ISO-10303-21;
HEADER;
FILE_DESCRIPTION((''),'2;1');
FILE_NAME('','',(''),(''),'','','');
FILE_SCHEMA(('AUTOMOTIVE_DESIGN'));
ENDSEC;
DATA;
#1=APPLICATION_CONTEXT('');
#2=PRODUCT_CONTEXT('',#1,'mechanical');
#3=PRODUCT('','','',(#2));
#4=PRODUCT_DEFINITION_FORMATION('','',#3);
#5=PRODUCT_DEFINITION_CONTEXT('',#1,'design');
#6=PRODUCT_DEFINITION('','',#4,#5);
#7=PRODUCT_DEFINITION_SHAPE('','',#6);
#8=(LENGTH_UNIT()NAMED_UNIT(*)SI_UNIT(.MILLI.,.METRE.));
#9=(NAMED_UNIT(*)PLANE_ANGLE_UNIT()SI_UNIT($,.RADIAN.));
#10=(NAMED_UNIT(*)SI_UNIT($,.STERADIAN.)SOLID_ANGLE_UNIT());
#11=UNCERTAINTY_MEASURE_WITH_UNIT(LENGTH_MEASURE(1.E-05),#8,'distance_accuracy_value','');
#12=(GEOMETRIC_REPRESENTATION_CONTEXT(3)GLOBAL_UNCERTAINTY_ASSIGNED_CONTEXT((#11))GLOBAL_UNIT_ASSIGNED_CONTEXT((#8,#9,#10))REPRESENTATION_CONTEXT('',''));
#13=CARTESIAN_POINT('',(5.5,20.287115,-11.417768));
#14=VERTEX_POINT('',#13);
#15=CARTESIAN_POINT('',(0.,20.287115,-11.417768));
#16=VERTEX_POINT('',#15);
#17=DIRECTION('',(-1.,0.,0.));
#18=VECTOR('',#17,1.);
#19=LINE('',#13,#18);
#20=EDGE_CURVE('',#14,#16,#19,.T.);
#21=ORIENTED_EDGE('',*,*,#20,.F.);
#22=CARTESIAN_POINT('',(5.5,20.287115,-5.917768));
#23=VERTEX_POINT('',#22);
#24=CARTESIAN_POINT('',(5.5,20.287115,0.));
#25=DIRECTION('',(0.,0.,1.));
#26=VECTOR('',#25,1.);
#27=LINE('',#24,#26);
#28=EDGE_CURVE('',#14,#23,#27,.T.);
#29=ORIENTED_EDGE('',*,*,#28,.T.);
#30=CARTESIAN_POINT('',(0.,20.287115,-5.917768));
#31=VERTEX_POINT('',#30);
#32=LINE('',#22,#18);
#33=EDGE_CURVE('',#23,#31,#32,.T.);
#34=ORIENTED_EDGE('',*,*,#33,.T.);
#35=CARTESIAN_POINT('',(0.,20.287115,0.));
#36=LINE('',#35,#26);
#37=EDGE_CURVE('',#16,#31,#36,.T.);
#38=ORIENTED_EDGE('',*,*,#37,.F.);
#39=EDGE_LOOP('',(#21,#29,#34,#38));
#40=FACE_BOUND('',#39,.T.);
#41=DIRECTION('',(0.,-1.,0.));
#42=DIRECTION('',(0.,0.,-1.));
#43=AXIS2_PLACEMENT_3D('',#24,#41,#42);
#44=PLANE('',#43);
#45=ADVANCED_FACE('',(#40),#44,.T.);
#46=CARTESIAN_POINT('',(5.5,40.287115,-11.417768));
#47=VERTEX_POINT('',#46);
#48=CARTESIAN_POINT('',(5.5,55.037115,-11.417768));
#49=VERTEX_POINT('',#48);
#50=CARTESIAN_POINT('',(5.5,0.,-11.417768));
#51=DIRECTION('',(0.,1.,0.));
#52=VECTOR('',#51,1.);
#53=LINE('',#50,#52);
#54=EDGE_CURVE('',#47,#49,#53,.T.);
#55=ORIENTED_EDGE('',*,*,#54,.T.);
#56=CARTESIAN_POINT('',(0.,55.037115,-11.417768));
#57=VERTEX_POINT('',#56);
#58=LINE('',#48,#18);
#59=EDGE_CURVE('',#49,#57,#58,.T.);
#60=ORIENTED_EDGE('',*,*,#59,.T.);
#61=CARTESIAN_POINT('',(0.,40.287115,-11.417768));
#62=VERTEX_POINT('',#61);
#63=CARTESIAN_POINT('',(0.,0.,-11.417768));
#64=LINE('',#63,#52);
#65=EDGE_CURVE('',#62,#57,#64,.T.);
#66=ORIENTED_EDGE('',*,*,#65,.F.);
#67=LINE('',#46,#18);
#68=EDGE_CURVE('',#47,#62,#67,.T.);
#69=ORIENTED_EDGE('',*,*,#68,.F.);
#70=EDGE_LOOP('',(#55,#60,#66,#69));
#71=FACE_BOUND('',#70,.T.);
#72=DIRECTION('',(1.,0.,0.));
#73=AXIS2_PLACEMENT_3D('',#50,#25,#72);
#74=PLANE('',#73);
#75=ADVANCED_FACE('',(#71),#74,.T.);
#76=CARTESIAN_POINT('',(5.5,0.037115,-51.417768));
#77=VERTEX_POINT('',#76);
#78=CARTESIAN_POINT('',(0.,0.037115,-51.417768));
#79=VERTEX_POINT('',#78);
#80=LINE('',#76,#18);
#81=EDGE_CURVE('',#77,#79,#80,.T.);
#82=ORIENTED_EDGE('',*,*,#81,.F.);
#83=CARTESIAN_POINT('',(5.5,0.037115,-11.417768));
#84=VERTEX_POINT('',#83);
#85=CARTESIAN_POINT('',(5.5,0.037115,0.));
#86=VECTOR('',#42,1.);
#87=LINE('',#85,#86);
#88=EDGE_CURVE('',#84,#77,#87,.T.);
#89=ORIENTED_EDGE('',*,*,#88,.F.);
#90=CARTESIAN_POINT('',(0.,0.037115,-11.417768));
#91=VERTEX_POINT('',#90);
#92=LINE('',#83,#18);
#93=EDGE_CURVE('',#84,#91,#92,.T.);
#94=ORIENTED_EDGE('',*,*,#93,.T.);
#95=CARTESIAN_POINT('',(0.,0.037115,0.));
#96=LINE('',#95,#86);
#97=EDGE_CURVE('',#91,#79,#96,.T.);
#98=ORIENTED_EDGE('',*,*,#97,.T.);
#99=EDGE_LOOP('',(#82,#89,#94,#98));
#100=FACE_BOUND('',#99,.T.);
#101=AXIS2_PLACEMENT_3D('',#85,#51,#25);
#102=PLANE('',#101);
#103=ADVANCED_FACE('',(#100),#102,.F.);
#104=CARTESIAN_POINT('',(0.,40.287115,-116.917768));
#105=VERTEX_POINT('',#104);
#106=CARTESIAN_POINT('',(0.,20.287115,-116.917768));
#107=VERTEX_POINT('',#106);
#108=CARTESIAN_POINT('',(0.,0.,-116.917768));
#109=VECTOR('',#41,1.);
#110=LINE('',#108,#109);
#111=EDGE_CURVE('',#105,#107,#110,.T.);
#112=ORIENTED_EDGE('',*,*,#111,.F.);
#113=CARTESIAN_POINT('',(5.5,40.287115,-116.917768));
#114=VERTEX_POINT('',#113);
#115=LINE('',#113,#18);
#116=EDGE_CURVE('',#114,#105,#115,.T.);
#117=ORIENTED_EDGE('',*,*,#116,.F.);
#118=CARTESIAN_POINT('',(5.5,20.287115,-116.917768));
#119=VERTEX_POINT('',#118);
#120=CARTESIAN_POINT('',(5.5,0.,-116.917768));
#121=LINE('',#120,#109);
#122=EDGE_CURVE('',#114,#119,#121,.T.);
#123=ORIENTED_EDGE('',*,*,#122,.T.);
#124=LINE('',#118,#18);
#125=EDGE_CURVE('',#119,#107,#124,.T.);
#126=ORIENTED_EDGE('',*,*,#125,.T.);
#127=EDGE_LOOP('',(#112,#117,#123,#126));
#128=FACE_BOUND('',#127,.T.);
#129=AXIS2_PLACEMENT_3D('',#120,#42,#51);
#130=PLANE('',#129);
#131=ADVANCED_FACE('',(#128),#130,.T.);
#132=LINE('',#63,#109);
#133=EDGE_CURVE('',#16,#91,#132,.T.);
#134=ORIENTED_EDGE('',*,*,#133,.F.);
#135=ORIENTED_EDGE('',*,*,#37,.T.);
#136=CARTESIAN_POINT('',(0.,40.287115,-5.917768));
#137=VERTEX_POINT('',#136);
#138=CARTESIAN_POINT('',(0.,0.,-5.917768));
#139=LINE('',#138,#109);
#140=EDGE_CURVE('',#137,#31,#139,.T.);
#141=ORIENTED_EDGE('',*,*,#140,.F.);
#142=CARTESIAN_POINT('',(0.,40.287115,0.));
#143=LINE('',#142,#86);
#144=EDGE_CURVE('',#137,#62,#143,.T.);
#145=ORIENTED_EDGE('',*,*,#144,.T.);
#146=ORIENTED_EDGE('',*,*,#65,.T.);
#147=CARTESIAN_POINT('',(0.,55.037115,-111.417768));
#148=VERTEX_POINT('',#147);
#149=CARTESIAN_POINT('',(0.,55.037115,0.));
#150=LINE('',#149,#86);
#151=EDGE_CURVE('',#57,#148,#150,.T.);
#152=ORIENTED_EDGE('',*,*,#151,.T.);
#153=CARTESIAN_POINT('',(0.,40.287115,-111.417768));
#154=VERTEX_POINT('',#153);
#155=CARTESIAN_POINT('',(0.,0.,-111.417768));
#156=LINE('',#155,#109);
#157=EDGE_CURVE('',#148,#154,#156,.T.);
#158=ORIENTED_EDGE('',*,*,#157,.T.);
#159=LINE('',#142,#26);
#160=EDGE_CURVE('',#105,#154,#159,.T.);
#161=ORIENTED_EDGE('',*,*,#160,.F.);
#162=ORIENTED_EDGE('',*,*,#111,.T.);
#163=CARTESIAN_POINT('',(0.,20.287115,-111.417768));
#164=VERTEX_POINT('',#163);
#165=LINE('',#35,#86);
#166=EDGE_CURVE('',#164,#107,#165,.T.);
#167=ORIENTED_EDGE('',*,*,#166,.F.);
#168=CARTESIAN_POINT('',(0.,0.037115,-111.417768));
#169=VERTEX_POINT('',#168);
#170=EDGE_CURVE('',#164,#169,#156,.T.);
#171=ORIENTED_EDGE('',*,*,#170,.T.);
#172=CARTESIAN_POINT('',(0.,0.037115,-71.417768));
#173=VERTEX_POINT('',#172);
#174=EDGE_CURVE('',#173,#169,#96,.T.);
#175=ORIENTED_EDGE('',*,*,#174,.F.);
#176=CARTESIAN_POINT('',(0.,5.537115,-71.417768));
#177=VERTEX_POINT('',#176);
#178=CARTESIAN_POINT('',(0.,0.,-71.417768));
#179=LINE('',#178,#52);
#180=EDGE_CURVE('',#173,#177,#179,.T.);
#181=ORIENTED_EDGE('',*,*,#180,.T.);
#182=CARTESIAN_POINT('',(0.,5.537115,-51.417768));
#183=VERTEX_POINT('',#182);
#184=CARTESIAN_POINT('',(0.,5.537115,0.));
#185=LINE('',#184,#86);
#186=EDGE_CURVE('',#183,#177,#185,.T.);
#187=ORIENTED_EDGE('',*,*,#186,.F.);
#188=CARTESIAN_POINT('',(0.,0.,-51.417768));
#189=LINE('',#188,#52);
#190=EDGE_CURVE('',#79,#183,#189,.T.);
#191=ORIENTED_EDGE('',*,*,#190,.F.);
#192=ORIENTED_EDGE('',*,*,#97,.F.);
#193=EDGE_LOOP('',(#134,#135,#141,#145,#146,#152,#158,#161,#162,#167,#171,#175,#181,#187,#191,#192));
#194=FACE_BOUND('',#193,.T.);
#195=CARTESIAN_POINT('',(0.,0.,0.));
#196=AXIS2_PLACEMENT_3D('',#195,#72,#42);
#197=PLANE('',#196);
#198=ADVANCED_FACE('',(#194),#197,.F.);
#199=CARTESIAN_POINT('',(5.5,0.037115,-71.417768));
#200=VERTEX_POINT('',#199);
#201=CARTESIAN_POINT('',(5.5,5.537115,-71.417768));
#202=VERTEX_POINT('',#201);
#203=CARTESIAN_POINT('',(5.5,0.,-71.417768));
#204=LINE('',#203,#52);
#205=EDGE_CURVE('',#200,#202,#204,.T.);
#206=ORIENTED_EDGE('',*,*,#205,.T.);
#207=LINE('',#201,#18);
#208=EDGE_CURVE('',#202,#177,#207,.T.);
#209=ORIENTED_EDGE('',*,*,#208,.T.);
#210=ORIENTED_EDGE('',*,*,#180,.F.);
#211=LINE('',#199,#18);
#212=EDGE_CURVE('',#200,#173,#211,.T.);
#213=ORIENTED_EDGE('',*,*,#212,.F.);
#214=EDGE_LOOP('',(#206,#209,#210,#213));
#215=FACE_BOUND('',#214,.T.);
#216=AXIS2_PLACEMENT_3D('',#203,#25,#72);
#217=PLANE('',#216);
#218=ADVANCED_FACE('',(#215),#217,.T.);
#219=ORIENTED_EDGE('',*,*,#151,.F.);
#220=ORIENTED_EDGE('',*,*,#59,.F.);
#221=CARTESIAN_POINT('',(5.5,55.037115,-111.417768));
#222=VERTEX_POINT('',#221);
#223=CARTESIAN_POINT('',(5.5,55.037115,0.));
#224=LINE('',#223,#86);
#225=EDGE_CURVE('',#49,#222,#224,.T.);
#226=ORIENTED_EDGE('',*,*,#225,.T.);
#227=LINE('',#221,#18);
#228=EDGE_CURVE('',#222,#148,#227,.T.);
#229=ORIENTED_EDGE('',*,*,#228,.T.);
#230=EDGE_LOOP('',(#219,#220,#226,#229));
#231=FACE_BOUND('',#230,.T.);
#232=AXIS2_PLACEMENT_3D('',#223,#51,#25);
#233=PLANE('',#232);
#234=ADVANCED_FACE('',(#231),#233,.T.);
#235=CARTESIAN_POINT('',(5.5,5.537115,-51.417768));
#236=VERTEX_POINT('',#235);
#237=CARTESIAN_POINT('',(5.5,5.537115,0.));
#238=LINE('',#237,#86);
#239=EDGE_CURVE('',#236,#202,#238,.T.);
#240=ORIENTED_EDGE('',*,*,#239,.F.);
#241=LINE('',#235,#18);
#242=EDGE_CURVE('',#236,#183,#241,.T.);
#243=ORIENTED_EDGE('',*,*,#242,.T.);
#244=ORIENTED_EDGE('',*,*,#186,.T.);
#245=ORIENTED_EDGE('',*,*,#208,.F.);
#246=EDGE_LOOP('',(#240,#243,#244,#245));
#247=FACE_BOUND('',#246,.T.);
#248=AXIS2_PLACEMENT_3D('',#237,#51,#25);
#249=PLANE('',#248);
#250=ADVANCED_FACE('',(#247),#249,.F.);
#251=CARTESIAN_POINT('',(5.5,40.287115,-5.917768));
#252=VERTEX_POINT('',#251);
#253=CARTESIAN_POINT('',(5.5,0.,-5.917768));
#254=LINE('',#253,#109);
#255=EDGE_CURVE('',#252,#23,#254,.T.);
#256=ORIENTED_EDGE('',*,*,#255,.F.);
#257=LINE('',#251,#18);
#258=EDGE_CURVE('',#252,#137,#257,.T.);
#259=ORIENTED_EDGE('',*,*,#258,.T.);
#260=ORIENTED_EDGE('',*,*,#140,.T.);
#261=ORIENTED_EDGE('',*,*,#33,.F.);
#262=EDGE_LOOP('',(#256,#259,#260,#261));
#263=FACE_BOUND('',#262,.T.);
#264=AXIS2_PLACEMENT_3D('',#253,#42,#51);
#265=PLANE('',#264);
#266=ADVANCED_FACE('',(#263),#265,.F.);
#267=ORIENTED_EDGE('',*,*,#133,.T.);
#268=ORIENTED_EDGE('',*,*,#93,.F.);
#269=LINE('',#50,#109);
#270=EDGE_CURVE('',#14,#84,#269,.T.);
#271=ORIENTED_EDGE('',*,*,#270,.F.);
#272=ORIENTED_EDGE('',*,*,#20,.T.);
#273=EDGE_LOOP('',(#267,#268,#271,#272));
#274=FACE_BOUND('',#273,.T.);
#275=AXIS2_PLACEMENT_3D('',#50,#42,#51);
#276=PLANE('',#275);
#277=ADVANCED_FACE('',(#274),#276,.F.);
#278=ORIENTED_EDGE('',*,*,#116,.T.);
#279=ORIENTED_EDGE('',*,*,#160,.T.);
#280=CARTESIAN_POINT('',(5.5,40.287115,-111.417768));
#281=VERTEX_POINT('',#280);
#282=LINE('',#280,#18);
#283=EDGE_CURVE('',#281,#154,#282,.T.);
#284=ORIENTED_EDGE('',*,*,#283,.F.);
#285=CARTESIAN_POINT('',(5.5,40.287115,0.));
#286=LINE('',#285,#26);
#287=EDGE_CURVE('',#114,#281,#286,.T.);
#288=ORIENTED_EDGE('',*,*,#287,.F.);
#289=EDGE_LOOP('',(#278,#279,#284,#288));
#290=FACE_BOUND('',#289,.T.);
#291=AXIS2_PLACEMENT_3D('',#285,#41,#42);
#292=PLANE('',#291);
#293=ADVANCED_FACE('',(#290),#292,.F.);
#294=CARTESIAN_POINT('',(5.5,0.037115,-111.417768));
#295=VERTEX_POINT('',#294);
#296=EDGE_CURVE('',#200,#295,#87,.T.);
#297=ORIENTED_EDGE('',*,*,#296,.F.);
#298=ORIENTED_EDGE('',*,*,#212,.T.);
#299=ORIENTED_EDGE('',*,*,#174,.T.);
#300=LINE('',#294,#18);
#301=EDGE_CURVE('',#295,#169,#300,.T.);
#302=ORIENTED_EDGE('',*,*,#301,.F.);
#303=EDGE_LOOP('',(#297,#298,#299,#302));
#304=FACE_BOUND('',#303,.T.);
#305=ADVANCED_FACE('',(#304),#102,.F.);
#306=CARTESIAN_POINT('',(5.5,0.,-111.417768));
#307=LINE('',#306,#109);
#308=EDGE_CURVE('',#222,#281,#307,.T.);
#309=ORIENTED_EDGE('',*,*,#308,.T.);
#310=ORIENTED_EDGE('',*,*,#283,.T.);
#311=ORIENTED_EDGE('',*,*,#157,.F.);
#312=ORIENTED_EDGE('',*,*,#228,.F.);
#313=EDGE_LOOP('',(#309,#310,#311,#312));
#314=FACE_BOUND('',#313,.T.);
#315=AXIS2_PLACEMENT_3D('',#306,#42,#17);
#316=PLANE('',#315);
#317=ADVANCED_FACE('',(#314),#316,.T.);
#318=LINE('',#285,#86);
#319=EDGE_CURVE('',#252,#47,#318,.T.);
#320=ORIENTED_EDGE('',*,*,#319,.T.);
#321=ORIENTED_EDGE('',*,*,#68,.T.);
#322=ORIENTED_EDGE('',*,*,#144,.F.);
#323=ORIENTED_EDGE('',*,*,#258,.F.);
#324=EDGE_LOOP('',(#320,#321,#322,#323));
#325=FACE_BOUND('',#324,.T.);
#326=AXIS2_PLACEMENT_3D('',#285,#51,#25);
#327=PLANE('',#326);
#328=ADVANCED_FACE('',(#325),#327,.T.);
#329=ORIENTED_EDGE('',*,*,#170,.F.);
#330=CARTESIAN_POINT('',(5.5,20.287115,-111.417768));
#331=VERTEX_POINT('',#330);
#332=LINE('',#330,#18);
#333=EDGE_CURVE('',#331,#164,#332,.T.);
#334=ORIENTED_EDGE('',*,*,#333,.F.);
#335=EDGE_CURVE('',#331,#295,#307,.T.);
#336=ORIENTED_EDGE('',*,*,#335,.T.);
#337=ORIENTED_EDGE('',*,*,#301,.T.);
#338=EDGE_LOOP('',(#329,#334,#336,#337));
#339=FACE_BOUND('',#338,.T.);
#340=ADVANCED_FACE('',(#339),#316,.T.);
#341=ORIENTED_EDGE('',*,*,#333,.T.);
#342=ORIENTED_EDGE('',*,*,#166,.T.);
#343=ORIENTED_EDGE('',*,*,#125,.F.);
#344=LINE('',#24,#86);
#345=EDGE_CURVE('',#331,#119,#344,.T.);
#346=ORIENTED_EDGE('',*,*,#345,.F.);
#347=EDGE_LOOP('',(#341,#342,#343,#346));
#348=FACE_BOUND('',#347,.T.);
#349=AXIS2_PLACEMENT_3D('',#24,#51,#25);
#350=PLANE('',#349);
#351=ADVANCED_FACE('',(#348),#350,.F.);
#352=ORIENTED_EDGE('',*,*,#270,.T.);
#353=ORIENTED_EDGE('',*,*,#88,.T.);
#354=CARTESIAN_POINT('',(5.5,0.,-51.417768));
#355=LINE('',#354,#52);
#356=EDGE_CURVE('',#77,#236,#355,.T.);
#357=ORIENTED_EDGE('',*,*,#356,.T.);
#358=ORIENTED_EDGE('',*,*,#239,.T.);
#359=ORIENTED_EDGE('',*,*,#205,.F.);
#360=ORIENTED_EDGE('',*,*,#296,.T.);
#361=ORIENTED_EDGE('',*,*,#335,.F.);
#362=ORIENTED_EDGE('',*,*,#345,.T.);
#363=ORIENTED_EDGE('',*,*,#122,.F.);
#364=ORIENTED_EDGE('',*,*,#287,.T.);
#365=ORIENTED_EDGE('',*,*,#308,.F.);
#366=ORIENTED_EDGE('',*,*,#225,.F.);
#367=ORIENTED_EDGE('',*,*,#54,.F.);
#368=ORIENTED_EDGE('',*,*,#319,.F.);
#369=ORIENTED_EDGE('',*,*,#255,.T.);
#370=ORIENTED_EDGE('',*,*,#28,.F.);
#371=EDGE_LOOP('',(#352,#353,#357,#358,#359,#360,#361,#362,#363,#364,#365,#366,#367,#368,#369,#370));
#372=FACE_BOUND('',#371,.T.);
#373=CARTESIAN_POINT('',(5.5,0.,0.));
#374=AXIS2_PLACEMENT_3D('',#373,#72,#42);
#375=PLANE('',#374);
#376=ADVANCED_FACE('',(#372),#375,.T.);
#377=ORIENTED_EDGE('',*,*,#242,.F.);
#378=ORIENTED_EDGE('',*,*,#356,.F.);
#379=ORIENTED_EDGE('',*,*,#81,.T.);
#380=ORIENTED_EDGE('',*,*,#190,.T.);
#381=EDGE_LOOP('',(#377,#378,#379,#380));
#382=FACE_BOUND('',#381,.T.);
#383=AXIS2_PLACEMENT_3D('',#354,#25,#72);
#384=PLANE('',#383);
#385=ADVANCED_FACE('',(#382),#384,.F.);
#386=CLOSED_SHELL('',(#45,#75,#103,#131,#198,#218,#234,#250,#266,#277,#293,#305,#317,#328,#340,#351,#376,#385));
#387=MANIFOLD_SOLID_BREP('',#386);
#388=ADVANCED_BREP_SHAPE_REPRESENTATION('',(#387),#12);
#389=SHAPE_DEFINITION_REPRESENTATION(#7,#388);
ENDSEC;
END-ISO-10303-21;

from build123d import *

# Parameters (mm, degrees)
BOSS_EXTRUDE1_DEPTH = 5.5


with BuildPart() as part:
    # Sketch1 → Boss-Extrude1 (new body)
    with BuildSketch(Plane(origin=(0, 0, 0), x_dir=(0, 0, -1), z_dir=(1, 0, 0))):
        Polygon((51.417768265, 0.037114876), (51.417768265, 5.537114876), (71.417768265, 5.537114876), (71.417768265, 0.037114876), (111.417768265, 0.037114876), (111.417768265, 20.287114876), (116.917768265, 20.287114876), (116.917768265, 40.287114876), (111.417768265, 40.287114876), (111.417768265, 55.037114876), (11.417768265, 55.037114876), (11.417768265, 40.287114876), (5.917768265, 40.287114876), (5.917768265, 20.287114876), (11.417768265, 20.287114876), (11.417768265, 0.037114876), align=None)
    extrude(amount=BOSS_EXTRUDE1_DEPTH)


solid = part.part
